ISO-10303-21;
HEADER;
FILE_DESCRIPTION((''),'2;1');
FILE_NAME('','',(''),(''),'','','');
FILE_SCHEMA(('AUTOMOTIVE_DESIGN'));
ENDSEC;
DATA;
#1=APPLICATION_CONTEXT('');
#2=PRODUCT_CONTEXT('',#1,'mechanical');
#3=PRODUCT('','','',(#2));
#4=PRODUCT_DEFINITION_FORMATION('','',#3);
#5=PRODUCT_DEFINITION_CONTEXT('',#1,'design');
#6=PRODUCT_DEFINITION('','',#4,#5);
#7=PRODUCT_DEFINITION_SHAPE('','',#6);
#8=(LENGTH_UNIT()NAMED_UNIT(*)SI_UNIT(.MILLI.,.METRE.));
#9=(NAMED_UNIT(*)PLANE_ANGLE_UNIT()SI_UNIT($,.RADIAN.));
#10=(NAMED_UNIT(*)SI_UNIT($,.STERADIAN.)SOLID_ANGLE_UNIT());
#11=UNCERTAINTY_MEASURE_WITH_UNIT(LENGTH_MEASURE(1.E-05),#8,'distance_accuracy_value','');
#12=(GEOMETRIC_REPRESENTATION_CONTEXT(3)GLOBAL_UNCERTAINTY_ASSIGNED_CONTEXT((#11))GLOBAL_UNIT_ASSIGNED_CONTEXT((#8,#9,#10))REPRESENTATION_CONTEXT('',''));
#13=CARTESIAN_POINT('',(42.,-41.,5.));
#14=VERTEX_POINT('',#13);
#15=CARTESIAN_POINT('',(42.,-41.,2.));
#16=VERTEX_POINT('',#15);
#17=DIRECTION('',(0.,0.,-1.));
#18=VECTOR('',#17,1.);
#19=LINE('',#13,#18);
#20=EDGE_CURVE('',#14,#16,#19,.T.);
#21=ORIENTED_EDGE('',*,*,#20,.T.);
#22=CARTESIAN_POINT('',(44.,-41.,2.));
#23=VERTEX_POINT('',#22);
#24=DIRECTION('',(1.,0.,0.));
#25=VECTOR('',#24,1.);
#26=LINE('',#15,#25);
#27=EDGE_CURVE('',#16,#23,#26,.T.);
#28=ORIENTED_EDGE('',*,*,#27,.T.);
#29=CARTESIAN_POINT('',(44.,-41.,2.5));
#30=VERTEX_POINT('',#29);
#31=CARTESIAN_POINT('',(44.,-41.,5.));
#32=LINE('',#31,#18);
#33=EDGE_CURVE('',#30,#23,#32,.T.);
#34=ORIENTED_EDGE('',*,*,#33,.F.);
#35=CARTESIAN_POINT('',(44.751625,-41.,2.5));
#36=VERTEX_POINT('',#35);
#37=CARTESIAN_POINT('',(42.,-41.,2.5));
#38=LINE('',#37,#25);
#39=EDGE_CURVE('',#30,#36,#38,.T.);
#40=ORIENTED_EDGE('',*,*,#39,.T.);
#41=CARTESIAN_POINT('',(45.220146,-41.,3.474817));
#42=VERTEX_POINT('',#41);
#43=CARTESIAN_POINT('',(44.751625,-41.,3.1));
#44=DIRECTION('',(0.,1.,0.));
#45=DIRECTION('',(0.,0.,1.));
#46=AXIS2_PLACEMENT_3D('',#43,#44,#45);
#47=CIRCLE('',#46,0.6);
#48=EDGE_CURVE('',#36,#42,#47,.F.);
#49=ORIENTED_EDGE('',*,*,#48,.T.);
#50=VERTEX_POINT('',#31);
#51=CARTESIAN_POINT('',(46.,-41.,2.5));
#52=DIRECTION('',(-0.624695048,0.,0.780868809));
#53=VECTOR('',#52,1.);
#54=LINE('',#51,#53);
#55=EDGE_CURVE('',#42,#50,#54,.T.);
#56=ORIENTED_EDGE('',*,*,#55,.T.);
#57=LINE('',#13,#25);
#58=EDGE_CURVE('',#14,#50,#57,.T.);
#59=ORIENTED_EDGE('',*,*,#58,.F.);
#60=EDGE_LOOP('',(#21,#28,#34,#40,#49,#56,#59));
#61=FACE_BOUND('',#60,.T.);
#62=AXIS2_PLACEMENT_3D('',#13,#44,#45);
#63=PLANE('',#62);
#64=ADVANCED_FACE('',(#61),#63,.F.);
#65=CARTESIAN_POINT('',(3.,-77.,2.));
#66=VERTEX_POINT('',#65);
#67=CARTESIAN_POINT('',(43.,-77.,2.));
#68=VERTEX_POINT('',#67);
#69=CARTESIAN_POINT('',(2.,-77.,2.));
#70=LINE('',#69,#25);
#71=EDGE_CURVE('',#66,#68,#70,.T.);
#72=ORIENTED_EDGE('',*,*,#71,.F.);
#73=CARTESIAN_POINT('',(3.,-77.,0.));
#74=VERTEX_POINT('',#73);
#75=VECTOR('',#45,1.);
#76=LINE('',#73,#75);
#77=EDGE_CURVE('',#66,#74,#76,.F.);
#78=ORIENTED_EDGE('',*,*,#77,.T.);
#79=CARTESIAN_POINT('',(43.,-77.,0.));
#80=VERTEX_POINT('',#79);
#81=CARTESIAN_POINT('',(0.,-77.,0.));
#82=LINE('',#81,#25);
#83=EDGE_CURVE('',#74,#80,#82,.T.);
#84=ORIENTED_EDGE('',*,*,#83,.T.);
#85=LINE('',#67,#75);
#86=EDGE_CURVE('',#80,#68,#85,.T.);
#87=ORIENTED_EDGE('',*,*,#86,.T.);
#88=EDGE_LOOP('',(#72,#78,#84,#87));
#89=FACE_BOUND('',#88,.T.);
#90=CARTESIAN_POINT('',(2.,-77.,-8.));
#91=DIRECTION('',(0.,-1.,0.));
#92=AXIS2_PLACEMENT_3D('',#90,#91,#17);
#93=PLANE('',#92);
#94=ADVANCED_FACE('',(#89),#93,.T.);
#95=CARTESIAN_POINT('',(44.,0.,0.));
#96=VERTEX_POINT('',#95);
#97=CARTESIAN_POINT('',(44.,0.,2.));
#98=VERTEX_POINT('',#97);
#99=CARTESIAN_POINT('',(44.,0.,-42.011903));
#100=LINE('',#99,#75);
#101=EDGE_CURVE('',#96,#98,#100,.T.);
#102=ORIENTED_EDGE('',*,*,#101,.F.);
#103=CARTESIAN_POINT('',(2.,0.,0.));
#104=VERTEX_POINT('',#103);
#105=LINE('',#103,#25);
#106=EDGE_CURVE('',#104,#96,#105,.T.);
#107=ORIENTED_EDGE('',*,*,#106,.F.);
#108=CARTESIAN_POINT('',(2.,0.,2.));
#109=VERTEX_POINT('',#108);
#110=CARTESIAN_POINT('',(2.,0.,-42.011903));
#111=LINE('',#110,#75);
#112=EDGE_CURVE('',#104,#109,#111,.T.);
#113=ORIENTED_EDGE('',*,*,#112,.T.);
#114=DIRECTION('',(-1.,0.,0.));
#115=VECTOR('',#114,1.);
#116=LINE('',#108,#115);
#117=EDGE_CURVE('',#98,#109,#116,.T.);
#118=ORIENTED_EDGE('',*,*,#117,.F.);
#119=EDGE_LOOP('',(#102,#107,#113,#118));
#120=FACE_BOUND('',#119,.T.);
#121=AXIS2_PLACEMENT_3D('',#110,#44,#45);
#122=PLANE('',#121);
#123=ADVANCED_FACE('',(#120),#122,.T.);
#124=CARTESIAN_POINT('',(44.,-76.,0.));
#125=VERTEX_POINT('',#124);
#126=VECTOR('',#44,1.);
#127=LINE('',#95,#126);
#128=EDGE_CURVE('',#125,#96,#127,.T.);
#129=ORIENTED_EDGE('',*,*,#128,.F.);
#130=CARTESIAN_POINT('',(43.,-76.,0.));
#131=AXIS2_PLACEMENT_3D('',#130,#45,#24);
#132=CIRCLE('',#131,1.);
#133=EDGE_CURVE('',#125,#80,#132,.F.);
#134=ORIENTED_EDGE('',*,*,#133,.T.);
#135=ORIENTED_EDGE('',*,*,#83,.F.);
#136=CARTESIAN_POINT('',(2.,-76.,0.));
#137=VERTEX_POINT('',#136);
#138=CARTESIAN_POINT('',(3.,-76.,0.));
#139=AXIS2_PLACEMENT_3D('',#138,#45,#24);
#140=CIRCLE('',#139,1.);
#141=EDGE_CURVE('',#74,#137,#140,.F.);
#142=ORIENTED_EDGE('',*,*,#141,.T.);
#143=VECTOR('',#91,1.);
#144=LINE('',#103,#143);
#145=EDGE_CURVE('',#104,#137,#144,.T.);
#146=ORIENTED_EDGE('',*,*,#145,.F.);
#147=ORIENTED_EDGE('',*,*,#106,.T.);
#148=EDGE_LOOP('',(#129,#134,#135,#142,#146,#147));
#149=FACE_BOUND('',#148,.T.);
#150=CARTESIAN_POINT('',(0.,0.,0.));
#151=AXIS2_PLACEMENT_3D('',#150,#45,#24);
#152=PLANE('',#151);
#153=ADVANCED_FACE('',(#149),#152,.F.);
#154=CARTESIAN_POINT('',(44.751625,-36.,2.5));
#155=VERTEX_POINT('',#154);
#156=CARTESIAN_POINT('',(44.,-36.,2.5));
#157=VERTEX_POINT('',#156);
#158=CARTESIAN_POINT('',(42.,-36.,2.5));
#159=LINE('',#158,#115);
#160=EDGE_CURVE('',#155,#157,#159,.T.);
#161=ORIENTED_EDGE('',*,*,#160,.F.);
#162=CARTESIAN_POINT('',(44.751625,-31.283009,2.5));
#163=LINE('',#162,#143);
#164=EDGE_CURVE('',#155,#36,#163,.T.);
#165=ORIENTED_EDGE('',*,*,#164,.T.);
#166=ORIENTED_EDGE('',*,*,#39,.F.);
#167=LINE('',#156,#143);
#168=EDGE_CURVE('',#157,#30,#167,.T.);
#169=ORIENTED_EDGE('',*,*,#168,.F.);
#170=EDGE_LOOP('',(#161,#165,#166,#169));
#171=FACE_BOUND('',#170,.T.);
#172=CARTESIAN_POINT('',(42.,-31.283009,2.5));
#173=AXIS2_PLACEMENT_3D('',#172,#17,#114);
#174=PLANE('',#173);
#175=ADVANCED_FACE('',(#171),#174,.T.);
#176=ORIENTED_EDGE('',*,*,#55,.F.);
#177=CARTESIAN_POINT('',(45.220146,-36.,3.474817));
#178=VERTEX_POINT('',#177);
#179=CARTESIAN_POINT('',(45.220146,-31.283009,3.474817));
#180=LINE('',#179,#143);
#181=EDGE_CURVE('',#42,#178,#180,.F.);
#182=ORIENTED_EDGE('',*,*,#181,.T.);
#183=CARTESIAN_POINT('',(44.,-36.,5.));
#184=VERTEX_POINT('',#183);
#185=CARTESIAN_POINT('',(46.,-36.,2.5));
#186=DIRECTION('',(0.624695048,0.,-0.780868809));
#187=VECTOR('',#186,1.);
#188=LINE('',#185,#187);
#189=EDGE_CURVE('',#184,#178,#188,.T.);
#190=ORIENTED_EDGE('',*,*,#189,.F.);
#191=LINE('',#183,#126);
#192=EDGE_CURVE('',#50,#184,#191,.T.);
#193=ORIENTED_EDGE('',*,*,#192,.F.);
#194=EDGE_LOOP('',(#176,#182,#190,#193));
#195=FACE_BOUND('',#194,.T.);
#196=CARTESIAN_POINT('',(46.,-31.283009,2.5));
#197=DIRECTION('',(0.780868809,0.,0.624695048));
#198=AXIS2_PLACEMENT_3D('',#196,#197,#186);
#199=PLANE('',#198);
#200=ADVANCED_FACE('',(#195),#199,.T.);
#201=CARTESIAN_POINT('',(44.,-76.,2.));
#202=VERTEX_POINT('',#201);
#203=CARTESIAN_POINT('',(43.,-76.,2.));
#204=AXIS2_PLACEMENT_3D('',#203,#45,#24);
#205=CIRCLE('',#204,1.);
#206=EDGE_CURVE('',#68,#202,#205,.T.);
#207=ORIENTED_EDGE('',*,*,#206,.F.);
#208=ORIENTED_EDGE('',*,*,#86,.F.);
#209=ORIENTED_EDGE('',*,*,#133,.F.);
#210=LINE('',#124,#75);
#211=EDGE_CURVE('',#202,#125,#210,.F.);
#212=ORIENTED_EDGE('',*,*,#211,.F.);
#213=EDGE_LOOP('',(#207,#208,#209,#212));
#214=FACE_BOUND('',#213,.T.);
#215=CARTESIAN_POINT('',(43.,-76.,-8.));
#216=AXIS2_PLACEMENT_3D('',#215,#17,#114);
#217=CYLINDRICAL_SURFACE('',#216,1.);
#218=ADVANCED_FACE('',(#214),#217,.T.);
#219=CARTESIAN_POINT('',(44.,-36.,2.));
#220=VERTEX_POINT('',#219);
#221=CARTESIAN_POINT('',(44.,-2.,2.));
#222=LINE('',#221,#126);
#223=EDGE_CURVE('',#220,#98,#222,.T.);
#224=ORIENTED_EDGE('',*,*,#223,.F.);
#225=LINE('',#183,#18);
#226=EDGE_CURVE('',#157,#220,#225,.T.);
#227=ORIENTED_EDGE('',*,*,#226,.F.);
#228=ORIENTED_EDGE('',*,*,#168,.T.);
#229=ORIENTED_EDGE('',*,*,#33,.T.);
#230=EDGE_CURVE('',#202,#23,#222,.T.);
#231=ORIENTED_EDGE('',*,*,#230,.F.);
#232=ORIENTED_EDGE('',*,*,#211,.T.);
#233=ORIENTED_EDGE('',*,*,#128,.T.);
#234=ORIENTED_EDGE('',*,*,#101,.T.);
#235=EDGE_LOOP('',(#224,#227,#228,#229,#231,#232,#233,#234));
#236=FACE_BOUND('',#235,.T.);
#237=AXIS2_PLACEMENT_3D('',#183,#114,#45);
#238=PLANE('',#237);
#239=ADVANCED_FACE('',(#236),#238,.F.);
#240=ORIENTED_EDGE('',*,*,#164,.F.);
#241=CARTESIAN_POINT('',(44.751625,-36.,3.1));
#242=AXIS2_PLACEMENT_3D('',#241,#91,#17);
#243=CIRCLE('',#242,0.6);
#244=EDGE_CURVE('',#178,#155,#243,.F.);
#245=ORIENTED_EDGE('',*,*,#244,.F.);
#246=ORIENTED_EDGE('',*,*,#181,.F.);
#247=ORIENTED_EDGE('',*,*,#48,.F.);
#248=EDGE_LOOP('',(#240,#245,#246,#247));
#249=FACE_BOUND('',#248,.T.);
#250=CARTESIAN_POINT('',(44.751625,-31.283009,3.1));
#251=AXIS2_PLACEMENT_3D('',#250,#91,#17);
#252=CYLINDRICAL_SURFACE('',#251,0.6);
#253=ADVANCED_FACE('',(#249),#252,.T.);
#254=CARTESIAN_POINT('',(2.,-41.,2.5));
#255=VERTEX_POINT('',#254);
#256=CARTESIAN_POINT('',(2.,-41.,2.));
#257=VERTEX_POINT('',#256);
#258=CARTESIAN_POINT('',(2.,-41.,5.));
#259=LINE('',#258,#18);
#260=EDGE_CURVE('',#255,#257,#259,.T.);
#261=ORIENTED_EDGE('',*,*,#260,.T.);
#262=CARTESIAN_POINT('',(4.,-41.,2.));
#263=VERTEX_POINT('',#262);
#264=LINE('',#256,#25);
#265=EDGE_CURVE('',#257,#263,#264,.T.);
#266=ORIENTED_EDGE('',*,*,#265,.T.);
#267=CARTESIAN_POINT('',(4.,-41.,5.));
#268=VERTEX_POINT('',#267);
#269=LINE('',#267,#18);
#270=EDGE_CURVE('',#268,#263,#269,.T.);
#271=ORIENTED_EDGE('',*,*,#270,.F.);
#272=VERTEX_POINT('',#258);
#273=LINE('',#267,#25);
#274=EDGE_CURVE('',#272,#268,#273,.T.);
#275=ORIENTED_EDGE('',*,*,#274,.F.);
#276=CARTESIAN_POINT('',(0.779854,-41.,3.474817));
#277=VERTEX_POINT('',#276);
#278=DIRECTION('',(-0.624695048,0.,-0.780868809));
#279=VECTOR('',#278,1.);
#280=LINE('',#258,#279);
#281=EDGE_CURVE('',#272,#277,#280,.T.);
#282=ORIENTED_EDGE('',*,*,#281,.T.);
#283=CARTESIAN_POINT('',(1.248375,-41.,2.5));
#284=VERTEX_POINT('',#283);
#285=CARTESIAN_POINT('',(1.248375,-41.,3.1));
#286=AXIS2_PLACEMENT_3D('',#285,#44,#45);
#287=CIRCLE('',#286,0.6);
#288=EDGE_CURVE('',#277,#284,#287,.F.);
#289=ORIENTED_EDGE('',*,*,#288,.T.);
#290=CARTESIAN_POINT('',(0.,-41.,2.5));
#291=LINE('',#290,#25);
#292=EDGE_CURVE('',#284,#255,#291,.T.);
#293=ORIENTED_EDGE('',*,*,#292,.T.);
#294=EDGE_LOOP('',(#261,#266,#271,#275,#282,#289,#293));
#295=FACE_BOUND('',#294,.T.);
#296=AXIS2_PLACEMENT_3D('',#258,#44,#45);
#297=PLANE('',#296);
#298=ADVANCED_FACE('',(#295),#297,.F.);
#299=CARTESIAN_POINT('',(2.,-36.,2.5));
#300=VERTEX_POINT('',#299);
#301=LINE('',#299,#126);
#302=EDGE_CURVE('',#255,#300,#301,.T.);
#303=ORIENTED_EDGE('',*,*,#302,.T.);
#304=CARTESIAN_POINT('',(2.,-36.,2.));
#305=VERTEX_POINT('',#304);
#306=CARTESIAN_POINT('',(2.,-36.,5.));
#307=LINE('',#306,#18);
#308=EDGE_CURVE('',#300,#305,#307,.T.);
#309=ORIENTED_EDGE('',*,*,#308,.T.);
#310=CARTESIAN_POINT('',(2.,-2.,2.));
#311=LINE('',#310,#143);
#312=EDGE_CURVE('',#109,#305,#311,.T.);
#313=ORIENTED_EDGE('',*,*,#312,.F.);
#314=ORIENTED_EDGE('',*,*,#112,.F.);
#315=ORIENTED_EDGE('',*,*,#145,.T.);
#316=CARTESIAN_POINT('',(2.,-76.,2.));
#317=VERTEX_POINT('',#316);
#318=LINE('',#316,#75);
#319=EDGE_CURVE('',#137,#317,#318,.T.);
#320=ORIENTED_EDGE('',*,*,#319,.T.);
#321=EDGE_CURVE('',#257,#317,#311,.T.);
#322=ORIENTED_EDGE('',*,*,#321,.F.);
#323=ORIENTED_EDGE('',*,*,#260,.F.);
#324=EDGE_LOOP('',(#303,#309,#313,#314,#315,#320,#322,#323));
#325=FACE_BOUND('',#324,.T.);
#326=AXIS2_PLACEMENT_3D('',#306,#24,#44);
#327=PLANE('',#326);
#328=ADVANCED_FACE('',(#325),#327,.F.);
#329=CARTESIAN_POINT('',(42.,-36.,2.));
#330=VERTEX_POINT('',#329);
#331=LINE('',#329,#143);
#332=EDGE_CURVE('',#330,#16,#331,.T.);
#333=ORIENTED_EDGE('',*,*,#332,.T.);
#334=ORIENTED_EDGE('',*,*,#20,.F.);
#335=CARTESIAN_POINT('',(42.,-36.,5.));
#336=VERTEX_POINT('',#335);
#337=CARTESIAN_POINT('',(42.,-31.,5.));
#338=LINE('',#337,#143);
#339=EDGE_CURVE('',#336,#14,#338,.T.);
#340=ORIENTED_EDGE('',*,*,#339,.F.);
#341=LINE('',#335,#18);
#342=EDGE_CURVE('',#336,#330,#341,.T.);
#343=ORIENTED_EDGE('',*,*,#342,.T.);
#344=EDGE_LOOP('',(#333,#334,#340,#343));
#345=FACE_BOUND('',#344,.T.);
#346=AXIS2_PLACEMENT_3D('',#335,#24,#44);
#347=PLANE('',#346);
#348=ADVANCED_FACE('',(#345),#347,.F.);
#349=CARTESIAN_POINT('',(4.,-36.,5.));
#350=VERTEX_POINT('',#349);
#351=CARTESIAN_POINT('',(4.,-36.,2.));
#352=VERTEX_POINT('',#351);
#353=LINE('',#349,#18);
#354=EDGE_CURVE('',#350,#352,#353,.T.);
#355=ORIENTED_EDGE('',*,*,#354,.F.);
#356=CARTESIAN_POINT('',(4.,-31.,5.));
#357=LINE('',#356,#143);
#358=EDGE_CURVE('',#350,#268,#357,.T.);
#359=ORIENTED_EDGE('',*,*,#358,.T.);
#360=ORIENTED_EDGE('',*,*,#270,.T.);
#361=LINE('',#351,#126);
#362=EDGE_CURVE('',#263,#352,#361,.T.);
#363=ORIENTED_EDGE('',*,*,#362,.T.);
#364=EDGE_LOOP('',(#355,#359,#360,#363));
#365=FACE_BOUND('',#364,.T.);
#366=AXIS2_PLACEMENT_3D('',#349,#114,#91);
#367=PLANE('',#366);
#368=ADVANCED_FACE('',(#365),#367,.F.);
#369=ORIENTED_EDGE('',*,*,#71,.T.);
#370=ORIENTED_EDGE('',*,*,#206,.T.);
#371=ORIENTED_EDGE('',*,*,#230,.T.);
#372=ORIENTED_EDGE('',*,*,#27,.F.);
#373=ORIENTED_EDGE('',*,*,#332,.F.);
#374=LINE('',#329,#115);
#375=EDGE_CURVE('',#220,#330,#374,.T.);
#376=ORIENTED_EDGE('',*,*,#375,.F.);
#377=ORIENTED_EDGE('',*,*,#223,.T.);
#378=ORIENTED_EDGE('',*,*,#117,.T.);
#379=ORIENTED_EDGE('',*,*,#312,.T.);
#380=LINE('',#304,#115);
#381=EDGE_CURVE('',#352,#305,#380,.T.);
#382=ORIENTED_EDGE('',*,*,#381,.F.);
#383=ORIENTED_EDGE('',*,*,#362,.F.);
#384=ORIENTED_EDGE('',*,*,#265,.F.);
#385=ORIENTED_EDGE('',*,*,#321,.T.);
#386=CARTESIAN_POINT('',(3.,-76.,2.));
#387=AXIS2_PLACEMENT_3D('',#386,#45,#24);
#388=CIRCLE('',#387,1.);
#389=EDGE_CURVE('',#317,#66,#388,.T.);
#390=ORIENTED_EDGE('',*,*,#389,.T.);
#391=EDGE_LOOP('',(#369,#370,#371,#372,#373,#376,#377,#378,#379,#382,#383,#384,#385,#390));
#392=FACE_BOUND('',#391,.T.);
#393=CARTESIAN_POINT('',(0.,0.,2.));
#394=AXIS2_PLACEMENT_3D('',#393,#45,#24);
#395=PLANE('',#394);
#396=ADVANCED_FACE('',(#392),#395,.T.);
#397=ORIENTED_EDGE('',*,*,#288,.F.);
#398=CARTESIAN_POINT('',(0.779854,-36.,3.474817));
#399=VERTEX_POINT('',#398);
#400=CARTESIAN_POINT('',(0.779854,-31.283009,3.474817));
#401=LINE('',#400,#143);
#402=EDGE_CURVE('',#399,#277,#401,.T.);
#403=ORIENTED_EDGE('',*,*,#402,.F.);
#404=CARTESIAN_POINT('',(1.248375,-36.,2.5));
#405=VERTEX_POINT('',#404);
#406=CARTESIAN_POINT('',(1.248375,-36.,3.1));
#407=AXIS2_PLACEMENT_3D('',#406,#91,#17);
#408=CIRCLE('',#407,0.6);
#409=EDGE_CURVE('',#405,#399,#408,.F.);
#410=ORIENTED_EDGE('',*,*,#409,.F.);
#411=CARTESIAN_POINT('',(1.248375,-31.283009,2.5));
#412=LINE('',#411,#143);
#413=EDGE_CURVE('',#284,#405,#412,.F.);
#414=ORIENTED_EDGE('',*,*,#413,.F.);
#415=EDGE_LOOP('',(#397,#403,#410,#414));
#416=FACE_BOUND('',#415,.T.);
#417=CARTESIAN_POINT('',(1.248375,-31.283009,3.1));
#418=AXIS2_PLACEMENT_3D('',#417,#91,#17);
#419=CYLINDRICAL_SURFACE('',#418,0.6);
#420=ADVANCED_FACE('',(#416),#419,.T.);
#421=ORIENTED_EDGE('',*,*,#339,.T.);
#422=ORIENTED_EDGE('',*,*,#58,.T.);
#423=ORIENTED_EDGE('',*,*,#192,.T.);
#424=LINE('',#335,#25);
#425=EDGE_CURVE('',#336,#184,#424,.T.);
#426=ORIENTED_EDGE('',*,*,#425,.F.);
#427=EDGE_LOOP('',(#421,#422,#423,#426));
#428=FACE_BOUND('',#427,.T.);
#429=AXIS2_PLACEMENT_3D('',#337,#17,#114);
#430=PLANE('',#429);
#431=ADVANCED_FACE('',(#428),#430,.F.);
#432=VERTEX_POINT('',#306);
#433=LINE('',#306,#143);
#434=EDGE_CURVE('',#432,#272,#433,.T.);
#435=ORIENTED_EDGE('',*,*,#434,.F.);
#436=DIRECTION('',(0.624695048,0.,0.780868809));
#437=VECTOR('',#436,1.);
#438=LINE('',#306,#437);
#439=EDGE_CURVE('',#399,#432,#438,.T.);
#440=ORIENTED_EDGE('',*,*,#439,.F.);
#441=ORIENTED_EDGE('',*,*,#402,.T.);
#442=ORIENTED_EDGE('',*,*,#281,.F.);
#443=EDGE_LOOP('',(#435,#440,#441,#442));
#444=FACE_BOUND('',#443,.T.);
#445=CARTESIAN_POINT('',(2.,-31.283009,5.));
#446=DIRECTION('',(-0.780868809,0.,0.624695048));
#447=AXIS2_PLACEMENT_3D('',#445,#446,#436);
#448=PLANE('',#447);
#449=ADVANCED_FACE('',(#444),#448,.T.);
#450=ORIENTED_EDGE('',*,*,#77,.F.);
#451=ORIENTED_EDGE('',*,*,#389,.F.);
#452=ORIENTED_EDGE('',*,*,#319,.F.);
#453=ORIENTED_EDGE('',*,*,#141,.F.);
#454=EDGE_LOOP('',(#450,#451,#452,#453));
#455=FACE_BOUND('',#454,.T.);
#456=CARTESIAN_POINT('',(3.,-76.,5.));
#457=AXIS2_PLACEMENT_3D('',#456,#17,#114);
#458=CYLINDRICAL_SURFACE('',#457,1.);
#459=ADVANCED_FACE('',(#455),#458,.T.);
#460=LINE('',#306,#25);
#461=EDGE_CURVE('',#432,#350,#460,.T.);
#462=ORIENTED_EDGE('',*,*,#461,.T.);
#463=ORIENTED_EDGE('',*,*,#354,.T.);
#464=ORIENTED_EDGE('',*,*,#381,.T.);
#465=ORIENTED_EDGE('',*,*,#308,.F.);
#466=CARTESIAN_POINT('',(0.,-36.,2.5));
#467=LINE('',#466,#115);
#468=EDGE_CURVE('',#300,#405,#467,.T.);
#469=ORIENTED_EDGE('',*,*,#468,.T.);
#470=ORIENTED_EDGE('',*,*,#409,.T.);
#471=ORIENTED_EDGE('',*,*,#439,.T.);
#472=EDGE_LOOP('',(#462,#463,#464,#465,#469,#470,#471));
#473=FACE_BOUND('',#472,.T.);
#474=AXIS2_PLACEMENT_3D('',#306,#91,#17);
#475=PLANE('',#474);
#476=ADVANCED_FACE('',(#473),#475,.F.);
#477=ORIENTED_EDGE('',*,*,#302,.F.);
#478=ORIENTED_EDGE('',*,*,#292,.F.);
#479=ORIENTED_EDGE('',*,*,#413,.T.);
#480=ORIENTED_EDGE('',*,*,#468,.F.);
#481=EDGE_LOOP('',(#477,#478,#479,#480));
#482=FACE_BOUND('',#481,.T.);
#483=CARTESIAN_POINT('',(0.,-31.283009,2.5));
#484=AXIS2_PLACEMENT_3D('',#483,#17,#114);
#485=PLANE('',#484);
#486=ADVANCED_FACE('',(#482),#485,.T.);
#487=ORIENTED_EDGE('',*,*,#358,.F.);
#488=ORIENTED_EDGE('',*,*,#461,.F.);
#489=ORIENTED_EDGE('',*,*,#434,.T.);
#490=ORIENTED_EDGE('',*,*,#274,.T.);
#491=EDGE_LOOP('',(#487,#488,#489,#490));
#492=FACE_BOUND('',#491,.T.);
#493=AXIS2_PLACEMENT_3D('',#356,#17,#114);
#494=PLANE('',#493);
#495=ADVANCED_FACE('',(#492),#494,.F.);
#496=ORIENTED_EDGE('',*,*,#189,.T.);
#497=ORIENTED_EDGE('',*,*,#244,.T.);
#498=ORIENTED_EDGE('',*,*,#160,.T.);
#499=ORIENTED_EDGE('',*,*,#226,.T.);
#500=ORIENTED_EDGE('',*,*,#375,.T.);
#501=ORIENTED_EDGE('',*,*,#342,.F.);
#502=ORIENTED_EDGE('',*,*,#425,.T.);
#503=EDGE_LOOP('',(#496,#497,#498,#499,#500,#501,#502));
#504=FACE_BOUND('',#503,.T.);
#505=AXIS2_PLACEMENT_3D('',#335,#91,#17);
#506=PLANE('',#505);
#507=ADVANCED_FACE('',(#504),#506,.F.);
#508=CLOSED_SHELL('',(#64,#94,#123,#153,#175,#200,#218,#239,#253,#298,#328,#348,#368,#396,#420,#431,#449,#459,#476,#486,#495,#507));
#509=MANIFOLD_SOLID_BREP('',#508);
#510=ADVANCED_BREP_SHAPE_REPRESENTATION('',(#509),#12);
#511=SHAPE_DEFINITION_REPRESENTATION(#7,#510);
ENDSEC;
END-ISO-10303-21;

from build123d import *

# Parameters (mm, degrees)
SKETCH1_W           = 46
SKETCH1_H           = 79
BOSS_EXTRUDE1_DEPTH = 2
SKETCH2_W           = 2
SKETCH2_H           = 5
BOSS_EXTRUDE2_DEPTH = 3
BOSS_EXTRUDE3_DEPTH = 5
FILLET1_R           = 0.6
SKETCH4_W           = 46
SKETCH4_H           = 79
SKETCH4_W_2         = 42
SKETCH4_H_2         = 75
CUT_EXTRUDE1_DEPTH  = 10
SKETCH5_W           = 42
SKETCH5_H           = 1
BOSS_EXTRUDE4_DEPTH = 2
SKETCH6_W           = 42
SKETCH6_H           = 1
BOSS_EXTRUDE5_DEPTH = 2
FILLET2_R           = 1
SKETCH7_W           = 5.220052767
SKETCH7_H           = 2.493732105
SKETCH7_W_2         = 4.447072359
SKETCH7_H_2         = 2.905988322
CUT_EXTRUDE2_DEPTH  = 10
BOSS_EXTRUDE6_DEPTH = 5
FILLET3_R           = 0.6


with BuildPart() as part:
    # Sketch1 → Boss-Extrude1 (new body)
    with BuildSketch(Plane.XY):
        with Locations((23, -39.5)):
            Rectangle(SKETCH1_W, SKETCH1_H)
    extrude(amount=BOSS_EXTRUDE1_DEPTH)

    # Sketch2 → Boss-Extrude2 (add)
    with BuildSketch(Plane.XY.offset(2)):
        with Locations((3, -38.5)):
            Rectangle(SKETCH2_W, SKETCH2_H)
        with Locations((43, -38.5)):
            Rectangle(SKETCH2_W, SKETCH2_H)
    extrude(amount=BOSS_EXTRUDE2_DEPTH)

    # Sketch3 → Boss-Extrude3 (add)
    with BuildSketch(Plane.XZ.offset(41)):
        Polygon((2, 7), (0, 5), (2, 5), (4, 5), (4, 7), align=None)
        Polygon((44, 7), (42, 7), (42, 5), (46, 5), align=None)
    extrude(amount=-BOSS_EXTRUDE3_DEPTH)

    # Fillet1
    fillet1_edges = [part.edges().sort_by_distance(p)[0] for p in [
        (0, -38.5, 5),
        (46, -38.5, 5),
    ]]
    fillet(fillet1_edges, radius=FILLET1_R)

    # Sketch4 → Cut-Extrude1 (cut)
    with BuildSketch(Plane.XY.offset(2)):
        with Locations((23, -39.5)):
            Rectangle(SKETCH4_W, SKETCH4_H)
        with Locations((23, -39.5)):
            Rectangle(SKETCH4_W_2, SKETCH4_H_2, mode=Mode.SUBTRACT)
    extrude(amount=-CUT_EXTRUDE1_DEPTH, mode=Mode.SUBTRACT)

    # Sketch5 → Boss-Extrude4 (add)
    with BuildSketch(Plane.XY.offset(2)):
        with Locations((23, -1.5)):
            Rectangle(SKETCH5_W, SKETCH5_H)
    extrude(amount=-BOSS_EXTRUDE4_DEPTH)

    # Sketch6 → Boss-Extrude5 (add)
    with BuildSketch(Plane.XY.offset(2)):
        with Locations((23, -0.5)):
            Rectangle(SKETCH6_W, SKETCH6_H)
    extrude(amount=-BOSS_EXTRUDE5_DEPTH)

    # Fillet2
    fillet2_edges = [part.edges().sort_by_distance(p)[0] for p in [
        (44, -77, 1),
        (2, -77, 1),
    ]]
    fillet(fillet2_edges, radius=FILLET2_R)

    # Sketch7 → Cut-Extrude2 (cut)
    with BuildSketch(Plane.XZ.offset(41)):
        with Locations((1.389973616, 6.246866052)):
            Rectangle(SKETCH7_W, SKETCH7_H)
        with Locations((44.22353618, 6.452994161)):
            Rectangle(SKETCH7_W_2, SKETCH7_H_2)
    extrude(amount=-CUT_EXTRUDE2_DEPTH, mode=Mode.SUBTRACT)

    # Sketch8 → Boss-Extrude6 (add)
    with BuildSketch(Plane.XZ.offset(41)):
        Polygon((2, 5), (0, 2.5), (4, 2.5), (4, 5), align=None)
        Polygon((42, 2.5), (46, 2.5), (44, 5), (42, 5), align=None)
    extrude(amount=-BOSS_EXTRUDE6_DEPTH)

    # Fillet3
    fillet3_edges = [part.edges().sort_by_distance(p)[0] for p in [
        (0, -38.5, 2.5),
        (46, -38.5, 2.5),
    ]]
    fillet(fillet3_edges, radius=FILLET3_R)


solid = part.part
